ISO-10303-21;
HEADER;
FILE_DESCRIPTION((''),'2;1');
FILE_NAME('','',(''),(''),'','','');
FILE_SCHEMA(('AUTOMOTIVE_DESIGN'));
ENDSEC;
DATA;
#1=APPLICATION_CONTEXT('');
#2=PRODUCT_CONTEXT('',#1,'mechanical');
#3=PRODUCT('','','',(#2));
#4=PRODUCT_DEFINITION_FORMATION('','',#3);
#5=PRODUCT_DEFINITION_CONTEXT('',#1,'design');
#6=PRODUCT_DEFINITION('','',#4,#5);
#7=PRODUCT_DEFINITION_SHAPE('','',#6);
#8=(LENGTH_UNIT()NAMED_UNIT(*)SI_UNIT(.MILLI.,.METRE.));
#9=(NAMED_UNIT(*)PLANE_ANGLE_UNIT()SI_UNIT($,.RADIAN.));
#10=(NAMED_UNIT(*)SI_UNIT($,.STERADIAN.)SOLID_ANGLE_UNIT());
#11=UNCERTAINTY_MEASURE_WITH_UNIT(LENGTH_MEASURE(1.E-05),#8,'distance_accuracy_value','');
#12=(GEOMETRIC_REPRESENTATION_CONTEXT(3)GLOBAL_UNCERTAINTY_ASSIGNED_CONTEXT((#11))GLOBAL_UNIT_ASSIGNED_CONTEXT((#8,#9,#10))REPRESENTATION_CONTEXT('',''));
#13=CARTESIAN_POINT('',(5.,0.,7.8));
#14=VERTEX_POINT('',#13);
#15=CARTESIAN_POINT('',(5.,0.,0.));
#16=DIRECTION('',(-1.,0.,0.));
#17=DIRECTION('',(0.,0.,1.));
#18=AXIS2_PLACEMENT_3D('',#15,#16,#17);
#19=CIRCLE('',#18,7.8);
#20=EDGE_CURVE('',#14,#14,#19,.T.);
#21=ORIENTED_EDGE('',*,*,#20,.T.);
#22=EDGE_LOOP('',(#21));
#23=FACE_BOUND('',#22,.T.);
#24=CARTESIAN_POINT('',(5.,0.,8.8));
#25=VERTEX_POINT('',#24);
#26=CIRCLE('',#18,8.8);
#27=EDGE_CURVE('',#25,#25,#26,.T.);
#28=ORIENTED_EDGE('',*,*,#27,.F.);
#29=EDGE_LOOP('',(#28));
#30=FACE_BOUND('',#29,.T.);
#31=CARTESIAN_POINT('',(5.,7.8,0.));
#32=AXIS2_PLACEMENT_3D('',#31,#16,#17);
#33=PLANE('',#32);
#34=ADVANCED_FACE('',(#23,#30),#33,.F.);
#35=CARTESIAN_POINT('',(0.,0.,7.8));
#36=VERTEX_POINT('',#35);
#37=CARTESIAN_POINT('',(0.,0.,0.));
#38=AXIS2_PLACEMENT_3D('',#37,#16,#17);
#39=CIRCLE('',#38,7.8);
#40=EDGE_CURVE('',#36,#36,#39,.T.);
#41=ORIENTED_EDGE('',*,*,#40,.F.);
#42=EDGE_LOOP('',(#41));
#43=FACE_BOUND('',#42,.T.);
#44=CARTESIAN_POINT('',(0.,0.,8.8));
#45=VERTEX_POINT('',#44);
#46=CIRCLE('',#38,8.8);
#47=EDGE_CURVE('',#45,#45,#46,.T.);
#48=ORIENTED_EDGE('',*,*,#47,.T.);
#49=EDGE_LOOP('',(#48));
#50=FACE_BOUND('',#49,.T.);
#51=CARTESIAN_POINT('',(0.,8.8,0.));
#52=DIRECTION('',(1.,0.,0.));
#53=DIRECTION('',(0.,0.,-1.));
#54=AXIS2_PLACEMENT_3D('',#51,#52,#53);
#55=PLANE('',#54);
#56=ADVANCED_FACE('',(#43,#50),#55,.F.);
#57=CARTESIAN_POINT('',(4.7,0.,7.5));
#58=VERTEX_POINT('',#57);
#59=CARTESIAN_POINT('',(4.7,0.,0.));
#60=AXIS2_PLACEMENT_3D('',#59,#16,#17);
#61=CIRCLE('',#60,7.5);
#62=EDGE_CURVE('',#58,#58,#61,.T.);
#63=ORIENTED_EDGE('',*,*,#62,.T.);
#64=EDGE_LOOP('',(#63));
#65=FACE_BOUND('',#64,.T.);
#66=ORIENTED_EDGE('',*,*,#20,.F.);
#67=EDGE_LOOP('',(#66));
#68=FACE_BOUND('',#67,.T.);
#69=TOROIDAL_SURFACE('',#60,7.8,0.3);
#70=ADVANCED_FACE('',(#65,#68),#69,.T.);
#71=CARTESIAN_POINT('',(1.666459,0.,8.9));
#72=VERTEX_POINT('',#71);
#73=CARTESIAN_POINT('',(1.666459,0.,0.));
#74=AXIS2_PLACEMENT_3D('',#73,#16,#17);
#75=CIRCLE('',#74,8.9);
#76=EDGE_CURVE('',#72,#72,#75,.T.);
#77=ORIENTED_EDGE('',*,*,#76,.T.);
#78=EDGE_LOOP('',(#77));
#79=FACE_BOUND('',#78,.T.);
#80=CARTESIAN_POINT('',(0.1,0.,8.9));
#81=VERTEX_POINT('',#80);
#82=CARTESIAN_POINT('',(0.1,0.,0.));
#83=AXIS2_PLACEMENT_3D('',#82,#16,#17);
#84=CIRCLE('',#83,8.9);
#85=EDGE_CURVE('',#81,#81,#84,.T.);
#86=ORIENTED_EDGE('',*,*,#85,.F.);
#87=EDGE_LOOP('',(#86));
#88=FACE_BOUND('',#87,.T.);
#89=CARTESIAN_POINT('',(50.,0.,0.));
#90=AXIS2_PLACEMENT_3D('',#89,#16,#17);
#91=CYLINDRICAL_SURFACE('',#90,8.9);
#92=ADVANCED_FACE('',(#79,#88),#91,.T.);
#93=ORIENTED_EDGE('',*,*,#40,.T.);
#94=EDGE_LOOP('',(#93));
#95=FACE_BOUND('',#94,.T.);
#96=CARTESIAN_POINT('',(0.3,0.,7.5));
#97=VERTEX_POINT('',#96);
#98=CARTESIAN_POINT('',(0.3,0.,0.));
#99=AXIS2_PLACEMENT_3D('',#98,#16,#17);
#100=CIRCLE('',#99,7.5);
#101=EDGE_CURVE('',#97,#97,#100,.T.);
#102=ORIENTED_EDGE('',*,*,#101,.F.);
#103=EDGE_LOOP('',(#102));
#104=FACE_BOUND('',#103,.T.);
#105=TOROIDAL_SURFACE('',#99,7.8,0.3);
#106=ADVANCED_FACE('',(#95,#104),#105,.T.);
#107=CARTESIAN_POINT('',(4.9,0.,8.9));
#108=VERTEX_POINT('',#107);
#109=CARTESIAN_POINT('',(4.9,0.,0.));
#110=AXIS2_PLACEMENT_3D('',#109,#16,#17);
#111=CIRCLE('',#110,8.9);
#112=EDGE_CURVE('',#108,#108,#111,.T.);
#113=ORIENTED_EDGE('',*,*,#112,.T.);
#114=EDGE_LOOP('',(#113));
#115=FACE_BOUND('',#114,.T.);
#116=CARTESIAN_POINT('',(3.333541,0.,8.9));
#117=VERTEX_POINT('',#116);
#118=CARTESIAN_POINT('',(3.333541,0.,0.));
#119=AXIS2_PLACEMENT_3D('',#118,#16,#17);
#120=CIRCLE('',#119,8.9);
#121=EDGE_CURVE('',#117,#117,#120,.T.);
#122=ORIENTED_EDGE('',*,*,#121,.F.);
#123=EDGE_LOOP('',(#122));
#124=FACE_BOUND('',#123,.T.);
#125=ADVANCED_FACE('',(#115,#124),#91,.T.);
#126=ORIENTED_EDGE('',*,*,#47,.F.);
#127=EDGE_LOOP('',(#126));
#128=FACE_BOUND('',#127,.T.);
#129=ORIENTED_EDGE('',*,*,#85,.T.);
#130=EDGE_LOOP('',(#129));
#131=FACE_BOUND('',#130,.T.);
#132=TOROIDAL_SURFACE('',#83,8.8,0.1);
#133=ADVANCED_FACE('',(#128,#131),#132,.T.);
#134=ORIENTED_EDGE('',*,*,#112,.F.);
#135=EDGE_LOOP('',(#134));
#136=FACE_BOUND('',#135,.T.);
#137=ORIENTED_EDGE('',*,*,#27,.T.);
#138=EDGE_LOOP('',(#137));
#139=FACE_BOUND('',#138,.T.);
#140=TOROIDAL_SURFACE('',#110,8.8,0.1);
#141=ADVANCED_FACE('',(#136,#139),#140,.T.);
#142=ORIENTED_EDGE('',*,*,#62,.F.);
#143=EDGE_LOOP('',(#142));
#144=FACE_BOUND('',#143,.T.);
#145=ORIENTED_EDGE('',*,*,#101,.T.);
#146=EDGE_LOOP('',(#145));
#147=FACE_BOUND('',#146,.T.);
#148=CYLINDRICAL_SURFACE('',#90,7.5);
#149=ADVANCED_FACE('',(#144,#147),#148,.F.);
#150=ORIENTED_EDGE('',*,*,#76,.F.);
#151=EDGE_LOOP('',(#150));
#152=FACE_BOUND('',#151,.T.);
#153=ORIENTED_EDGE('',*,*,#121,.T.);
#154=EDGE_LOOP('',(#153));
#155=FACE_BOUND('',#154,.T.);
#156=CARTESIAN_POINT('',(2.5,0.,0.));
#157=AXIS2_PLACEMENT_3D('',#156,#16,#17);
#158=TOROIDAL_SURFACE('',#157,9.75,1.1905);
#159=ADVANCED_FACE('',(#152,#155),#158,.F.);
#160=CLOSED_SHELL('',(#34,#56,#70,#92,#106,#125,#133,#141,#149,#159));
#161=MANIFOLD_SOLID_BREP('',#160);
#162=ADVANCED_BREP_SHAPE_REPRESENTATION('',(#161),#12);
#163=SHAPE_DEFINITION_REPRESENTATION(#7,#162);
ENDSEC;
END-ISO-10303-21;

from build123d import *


with BuildPart() as part:
    # 草图1 → 旋转1 (revolve)
    with BuildSketch(Plane.XY):
        with BuildLine():
            Line((0, 8.8), (0, 7.8))
            ThreePointArc((0, 7.8), (0.087867966, 7.587867966), (0.3, 7.5))
            Line((0.3, 7.5), (4.7, 7.5))
            ThreePointArc((4.7, 7.5), (4.912132034, 7.587867966), (5, 7.8))
            Line((5, 7.8), (5, 8.8))
            ThreePointArc((5, 8.8), (4.970710678, 8.870710678), (4.9, 8.9))
            Line((4.9, 8.9), (3.333540791, 8.9))
            ThreePointArc((3.333540791, 8.9), (2.5, 8.5595), (1.666459209, 8.9))
            Line((1.666459209, 8.9), (0.1, 8.9))
            ThreePointArc((0.1, 8.9), (0.029289322, 8.870710678), (0, 8.8))
        make_face()
    revolve(axis=Axis((50, 0, 0), (-1, 0, 0)))


solid = part.part
